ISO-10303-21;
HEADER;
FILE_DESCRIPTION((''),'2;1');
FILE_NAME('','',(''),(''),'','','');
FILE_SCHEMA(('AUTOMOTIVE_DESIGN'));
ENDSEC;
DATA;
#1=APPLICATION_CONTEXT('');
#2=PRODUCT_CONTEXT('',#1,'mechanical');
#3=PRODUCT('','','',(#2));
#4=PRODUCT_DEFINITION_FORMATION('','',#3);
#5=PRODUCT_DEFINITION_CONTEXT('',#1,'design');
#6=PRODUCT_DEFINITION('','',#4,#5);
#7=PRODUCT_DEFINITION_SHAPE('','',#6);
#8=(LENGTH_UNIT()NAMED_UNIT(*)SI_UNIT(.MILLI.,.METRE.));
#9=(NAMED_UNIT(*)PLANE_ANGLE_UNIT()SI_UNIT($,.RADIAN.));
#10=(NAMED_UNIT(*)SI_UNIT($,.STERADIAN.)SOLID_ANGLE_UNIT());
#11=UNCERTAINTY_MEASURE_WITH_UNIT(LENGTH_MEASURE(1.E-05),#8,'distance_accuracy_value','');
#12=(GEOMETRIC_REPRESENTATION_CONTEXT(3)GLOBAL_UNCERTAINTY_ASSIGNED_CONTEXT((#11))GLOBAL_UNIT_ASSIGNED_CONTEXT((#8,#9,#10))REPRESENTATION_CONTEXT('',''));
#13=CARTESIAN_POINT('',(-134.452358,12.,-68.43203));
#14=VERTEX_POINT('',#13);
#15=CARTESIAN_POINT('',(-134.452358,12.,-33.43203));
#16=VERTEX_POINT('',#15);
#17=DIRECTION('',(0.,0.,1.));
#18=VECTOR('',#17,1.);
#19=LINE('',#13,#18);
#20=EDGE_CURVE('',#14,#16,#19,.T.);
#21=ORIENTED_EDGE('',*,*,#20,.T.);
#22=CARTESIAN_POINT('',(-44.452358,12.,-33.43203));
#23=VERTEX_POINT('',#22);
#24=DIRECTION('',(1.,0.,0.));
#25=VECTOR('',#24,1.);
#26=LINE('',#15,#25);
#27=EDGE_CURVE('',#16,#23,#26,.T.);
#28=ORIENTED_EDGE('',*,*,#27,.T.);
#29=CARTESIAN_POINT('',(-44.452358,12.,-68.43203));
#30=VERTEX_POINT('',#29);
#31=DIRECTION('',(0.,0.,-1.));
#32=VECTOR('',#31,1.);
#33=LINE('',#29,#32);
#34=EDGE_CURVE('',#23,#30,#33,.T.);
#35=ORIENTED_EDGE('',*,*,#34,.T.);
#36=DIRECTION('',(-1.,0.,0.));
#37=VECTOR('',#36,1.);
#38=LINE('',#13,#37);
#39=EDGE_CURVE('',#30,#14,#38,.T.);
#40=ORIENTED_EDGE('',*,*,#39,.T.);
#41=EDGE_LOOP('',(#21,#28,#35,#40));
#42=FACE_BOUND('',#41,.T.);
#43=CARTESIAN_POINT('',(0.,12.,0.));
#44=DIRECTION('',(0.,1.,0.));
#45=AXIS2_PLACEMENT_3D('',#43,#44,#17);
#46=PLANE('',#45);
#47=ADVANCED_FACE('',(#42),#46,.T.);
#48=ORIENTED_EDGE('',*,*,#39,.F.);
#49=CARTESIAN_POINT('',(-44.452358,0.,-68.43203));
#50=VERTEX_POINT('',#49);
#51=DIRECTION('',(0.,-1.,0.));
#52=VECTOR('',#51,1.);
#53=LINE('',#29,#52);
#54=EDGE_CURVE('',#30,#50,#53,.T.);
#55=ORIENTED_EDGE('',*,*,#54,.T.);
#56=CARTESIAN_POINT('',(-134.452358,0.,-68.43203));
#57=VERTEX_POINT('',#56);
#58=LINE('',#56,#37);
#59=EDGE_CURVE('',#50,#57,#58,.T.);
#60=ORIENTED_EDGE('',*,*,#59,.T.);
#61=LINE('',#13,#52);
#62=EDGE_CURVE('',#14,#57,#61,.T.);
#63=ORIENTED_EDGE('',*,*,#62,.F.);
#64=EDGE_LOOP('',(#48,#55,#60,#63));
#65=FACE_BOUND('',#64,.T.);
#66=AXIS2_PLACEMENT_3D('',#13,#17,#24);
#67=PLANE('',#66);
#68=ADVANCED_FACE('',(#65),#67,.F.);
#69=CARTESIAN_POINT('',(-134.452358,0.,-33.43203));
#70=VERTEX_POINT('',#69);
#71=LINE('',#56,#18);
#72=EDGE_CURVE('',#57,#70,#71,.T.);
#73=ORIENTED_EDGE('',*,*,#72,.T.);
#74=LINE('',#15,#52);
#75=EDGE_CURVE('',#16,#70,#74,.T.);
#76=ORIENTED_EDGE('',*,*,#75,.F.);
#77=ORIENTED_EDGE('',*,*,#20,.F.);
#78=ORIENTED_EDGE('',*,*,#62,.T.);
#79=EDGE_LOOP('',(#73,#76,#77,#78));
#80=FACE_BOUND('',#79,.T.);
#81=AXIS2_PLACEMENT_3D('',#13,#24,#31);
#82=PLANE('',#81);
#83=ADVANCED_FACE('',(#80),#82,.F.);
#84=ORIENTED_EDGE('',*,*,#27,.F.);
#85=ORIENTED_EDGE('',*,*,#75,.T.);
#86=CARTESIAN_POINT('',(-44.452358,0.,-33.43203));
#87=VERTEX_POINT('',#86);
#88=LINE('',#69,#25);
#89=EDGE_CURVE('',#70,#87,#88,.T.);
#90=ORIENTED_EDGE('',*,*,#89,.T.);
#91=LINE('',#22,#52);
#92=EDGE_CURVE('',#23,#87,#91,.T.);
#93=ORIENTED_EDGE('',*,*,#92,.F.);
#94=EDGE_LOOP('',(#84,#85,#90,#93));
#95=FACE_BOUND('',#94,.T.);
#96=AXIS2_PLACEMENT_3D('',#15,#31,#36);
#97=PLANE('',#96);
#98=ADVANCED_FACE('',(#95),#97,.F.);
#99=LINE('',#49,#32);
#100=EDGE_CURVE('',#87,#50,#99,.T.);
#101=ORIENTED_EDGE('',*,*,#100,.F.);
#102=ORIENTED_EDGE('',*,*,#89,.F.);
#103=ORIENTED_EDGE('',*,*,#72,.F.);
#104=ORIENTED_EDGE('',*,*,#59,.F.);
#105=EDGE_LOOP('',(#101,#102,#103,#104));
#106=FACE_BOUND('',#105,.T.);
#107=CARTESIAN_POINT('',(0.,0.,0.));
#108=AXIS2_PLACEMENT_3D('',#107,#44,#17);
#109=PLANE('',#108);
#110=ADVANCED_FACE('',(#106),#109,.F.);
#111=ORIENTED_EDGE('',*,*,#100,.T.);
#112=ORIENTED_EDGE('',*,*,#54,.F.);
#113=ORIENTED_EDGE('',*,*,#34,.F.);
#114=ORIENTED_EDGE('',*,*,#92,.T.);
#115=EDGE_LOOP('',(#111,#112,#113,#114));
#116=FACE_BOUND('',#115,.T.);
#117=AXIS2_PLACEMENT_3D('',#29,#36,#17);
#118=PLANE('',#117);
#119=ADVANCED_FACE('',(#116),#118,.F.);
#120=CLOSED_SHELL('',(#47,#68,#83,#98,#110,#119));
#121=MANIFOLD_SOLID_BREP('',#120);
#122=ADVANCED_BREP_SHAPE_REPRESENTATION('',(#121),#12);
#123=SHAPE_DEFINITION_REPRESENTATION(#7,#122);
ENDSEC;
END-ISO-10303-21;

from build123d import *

# Parameters (mm, degrees)
SKETCH1_W                = 90
SKETCH1_H                = 35
COMMAND_STRIP_BASE_DEPTH = 12


with BuildPart() as part:
    # Sketch1 → Command Strip Base (new body)
    with BuildSketch(Plane(origin=(0, 0, 0), x_dir=(1, 0, 0), z_dir=(0, 1, 0))):
        with Locations((-89.452358061, 50.932029775)):
            Rectangle(SKETCH1_W, SKETCH1_H)
    extrude(amount=COMMAND_STRIP_BASE_DEPTH)


solid = part.part
